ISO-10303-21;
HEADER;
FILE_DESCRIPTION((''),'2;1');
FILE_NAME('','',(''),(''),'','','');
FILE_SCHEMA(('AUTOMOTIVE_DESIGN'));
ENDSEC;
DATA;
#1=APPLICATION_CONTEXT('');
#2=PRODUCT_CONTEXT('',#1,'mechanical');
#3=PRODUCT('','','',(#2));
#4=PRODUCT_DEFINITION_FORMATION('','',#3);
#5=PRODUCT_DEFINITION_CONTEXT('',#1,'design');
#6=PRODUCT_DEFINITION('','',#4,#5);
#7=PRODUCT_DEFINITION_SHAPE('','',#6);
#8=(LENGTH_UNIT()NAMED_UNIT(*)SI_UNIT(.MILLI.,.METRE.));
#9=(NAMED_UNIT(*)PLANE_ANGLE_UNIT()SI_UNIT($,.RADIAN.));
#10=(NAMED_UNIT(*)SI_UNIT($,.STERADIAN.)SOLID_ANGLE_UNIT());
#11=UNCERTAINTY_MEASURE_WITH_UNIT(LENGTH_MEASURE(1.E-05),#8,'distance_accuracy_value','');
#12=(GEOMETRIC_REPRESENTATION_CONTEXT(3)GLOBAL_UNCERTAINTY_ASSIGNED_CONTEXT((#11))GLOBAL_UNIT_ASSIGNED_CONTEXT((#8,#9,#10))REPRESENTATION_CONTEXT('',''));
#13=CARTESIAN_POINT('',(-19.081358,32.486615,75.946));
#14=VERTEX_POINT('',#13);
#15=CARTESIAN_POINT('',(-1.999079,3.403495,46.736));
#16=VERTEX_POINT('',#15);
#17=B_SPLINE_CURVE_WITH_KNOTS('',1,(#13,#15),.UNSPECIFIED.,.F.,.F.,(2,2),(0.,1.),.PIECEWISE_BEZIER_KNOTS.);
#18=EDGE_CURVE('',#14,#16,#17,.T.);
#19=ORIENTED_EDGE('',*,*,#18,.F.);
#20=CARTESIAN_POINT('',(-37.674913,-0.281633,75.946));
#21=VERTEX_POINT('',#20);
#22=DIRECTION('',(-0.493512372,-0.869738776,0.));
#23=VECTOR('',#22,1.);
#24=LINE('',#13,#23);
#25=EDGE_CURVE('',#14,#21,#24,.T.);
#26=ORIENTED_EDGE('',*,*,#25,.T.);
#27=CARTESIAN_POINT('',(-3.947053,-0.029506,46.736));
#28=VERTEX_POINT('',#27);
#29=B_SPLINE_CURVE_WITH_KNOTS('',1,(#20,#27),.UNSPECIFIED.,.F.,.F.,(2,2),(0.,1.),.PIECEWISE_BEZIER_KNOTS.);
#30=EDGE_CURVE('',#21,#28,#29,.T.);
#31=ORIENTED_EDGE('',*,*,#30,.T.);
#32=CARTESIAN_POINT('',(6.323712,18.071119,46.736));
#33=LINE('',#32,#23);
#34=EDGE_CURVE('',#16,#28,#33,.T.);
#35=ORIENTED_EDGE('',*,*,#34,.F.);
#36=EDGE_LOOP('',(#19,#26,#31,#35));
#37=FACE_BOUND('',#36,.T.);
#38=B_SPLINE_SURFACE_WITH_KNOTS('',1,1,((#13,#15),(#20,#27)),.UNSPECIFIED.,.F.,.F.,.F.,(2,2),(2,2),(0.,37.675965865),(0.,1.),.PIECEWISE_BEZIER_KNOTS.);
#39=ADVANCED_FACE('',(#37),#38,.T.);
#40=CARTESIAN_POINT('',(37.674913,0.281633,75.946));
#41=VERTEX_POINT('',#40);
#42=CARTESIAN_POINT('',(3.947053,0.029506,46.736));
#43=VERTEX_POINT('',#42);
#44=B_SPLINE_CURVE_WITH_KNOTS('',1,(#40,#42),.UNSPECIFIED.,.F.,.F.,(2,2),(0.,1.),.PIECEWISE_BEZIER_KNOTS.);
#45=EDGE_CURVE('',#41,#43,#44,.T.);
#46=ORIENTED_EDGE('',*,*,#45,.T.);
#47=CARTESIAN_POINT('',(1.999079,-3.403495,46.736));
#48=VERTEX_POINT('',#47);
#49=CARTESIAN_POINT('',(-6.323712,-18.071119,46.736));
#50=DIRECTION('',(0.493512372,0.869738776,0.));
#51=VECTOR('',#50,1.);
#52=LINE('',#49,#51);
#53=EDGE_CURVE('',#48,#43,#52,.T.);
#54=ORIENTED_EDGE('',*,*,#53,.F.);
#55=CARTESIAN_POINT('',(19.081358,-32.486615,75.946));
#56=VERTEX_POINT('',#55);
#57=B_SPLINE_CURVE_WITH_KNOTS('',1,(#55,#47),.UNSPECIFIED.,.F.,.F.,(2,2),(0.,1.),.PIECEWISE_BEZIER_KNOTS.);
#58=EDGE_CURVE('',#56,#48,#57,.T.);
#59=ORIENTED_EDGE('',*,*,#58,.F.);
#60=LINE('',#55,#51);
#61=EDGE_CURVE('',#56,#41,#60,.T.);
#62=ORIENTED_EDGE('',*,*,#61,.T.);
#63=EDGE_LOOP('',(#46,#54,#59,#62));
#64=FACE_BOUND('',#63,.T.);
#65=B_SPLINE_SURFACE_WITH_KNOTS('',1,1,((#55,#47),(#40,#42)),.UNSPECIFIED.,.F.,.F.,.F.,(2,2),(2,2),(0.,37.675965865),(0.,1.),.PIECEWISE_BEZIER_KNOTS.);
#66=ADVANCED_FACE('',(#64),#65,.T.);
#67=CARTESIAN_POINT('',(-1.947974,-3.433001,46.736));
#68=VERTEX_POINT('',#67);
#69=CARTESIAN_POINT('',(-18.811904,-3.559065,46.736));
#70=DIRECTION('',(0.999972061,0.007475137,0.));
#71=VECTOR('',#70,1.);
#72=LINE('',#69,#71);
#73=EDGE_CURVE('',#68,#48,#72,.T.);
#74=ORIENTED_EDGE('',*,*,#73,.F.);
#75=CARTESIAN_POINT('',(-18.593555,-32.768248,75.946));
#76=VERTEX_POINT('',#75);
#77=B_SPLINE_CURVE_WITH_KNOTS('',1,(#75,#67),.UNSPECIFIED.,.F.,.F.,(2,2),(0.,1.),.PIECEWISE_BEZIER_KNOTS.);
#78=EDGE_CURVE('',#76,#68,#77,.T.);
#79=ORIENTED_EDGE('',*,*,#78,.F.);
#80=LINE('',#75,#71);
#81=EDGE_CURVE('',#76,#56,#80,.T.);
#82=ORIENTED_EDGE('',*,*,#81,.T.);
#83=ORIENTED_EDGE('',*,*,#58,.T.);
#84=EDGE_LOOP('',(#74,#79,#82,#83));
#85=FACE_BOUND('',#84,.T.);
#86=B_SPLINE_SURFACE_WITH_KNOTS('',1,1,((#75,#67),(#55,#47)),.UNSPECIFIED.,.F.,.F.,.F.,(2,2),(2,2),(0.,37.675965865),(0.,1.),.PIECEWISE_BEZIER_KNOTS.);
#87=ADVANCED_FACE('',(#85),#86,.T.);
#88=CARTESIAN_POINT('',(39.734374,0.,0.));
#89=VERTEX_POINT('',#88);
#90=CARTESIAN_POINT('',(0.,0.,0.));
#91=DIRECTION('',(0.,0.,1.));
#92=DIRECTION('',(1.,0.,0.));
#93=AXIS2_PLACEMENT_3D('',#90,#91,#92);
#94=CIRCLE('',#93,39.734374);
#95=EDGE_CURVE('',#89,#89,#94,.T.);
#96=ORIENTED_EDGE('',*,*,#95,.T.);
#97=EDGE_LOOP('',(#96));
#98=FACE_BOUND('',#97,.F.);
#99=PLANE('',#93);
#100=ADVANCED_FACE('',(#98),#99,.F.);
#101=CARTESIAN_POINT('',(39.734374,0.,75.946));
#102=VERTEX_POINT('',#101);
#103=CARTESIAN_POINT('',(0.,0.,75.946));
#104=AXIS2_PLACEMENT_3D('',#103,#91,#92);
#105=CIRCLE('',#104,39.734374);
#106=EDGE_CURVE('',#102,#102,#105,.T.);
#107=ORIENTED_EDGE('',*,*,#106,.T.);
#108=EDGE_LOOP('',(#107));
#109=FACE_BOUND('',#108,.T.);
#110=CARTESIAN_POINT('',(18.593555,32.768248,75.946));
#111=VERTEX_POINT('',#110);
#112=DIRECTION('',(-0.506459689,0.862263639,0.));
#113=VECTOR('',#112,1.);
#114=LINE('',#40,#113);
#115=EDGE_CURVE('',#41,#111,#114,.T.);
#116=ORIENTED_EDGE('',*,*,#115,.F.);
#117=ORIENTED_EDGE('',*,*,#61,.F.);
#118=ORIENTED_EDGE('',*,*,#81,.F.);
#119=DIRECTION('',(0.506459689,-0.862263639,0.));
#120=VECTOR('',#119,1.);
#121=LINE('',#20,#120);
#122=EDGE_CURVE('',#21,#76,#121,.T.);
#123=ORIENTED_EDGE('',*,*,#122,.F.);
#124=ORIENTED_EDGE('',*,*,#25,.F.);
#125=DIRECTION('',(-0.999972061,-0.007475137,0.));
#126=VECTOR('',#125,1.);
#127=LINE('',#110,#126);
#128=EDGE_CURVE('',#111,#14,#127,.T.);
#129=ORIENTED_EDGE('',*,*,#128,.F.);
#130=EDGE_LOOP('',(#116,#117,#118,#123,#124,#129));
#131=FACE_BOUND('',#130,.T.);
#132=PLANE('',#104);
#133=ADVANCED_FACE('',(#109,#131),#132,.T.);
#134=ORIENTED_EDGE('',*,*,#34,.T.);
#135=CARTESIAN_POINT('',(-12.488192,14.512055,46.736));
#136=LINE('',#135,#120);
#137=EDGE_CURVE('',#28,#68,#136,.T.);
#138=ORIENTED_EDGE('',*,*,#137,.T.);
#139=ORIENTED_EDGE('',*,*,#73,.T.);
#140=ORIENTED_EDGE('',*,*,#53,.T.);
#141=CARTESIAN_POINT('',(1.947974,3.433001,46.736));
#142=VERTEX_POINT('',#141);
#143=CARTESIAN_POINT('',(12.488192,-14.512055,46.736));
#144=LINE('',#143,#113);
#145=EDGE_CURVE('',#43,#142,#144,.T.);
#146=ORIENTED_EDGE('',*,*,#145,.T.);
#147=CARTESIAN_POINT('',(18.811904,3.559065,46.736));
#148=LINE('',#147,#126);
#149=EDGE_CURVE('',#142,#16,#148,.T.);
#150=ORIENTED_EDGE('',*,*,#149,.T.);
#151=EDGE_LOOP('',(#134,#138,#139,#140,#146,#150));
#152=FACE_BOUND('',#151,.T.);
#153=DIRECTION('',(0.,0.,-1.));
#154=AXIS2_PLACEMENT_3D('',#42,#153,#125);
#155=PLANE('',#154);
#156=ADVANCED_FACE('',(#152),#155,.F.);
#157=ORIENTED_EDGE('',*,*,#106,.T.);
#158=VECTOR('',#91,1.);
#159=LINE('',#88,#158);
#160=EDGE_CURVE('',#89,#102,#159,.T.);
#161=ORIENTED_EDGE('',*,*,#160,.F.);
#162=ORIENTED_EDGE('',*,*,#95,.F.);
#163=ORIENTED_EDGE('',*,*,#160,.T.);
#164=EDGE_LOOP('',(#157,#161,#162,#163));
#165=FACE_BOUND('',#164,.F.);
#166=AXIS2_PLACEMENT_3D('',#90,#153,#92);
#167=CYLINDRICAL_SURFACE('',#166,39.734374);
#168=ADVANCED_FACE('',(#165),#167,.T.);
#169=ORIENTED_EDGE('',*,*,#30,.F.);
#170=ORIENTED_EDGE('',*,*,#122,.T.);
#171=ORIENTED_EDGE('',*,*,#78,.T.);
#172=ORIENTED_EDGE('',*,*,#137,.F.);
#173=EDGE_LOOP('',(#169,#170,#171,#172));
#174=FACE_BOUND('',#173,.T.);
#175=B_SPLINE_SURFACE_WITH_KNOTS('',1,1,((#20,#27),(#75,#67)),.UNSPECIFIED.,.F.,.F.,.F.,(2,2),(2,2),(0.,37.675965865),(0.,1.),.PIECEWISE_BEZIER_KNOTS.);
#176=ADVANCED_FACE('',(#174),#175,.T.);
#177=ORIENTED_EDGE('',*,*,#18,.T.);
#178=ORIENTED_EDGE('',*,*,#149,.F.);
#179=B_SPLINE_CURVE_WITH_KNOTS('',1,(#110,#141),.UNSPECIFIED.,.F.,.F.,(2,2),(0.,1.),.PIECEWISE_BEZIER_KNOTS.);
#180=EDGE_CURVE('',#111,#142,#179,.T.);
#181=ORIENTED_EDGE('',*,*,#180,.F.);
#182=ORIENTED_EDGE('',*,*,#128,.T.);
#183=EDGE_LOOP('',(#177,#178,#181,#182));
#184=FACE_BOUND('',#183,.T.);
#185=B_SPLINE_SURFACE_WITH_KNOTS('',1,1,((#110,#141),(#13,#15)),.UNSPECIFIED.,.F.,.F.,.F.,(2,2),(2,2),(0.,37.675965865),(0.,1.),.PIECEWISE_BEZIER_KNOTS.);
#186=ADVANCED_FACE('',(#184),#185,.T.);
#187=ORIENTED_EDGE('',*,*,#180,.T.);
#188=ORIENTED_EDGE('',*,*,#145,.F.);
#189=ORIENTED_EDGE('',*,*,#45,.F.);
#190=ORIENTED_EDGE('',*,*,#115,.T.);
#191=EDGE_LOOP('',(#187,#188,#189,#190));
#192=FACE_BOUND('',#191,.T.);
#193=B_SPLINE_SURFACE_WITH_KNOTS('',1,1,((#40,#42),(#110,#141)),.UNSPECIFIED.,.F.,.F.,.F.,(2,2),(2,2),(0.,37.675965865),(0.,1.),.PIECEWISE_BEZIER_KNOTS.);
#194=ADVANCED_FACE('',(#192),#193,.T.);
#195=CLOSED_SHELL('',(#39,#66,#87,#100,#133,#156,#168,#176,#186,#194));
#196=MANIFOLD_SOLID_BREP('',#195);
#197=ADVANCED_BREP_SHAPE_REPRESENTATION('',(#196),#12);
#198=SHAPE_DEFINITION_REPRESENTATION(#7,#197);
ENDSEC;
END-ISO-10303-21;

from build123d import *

# Parameters (mm, degrees)
F0_R     = 39.7343740688
F1_DEPTH = 75.946
F3_DEPTH = 29.21
F3_TAPER = 45


with BuildPart() as f1:
    # F0 (on Top) → F1 (new body)
    with BuildSketch(Plane.XY):
        Circle(F0_R)
    extrude(amount=F1_DEPTH)

    # F2 (on face) → F3 (cut)
    with BuildSketch(Plane.XY.offset(75.946)):
        Polygon((37.6749132279, 0.2816330117), (18.5935552713, 32.7682484466), (-19.0813579566, 32.4866154349), (-37.6749132279, -0.2816330117), (-18.5935552713, -32.7682484466), (19.0813579566, -32.4866154349), align=None)
    extrude(amount=-F3_DEPTH, taper=F3_TAPER, mode=Mode.SUBTRACT)


solid = f1.part
